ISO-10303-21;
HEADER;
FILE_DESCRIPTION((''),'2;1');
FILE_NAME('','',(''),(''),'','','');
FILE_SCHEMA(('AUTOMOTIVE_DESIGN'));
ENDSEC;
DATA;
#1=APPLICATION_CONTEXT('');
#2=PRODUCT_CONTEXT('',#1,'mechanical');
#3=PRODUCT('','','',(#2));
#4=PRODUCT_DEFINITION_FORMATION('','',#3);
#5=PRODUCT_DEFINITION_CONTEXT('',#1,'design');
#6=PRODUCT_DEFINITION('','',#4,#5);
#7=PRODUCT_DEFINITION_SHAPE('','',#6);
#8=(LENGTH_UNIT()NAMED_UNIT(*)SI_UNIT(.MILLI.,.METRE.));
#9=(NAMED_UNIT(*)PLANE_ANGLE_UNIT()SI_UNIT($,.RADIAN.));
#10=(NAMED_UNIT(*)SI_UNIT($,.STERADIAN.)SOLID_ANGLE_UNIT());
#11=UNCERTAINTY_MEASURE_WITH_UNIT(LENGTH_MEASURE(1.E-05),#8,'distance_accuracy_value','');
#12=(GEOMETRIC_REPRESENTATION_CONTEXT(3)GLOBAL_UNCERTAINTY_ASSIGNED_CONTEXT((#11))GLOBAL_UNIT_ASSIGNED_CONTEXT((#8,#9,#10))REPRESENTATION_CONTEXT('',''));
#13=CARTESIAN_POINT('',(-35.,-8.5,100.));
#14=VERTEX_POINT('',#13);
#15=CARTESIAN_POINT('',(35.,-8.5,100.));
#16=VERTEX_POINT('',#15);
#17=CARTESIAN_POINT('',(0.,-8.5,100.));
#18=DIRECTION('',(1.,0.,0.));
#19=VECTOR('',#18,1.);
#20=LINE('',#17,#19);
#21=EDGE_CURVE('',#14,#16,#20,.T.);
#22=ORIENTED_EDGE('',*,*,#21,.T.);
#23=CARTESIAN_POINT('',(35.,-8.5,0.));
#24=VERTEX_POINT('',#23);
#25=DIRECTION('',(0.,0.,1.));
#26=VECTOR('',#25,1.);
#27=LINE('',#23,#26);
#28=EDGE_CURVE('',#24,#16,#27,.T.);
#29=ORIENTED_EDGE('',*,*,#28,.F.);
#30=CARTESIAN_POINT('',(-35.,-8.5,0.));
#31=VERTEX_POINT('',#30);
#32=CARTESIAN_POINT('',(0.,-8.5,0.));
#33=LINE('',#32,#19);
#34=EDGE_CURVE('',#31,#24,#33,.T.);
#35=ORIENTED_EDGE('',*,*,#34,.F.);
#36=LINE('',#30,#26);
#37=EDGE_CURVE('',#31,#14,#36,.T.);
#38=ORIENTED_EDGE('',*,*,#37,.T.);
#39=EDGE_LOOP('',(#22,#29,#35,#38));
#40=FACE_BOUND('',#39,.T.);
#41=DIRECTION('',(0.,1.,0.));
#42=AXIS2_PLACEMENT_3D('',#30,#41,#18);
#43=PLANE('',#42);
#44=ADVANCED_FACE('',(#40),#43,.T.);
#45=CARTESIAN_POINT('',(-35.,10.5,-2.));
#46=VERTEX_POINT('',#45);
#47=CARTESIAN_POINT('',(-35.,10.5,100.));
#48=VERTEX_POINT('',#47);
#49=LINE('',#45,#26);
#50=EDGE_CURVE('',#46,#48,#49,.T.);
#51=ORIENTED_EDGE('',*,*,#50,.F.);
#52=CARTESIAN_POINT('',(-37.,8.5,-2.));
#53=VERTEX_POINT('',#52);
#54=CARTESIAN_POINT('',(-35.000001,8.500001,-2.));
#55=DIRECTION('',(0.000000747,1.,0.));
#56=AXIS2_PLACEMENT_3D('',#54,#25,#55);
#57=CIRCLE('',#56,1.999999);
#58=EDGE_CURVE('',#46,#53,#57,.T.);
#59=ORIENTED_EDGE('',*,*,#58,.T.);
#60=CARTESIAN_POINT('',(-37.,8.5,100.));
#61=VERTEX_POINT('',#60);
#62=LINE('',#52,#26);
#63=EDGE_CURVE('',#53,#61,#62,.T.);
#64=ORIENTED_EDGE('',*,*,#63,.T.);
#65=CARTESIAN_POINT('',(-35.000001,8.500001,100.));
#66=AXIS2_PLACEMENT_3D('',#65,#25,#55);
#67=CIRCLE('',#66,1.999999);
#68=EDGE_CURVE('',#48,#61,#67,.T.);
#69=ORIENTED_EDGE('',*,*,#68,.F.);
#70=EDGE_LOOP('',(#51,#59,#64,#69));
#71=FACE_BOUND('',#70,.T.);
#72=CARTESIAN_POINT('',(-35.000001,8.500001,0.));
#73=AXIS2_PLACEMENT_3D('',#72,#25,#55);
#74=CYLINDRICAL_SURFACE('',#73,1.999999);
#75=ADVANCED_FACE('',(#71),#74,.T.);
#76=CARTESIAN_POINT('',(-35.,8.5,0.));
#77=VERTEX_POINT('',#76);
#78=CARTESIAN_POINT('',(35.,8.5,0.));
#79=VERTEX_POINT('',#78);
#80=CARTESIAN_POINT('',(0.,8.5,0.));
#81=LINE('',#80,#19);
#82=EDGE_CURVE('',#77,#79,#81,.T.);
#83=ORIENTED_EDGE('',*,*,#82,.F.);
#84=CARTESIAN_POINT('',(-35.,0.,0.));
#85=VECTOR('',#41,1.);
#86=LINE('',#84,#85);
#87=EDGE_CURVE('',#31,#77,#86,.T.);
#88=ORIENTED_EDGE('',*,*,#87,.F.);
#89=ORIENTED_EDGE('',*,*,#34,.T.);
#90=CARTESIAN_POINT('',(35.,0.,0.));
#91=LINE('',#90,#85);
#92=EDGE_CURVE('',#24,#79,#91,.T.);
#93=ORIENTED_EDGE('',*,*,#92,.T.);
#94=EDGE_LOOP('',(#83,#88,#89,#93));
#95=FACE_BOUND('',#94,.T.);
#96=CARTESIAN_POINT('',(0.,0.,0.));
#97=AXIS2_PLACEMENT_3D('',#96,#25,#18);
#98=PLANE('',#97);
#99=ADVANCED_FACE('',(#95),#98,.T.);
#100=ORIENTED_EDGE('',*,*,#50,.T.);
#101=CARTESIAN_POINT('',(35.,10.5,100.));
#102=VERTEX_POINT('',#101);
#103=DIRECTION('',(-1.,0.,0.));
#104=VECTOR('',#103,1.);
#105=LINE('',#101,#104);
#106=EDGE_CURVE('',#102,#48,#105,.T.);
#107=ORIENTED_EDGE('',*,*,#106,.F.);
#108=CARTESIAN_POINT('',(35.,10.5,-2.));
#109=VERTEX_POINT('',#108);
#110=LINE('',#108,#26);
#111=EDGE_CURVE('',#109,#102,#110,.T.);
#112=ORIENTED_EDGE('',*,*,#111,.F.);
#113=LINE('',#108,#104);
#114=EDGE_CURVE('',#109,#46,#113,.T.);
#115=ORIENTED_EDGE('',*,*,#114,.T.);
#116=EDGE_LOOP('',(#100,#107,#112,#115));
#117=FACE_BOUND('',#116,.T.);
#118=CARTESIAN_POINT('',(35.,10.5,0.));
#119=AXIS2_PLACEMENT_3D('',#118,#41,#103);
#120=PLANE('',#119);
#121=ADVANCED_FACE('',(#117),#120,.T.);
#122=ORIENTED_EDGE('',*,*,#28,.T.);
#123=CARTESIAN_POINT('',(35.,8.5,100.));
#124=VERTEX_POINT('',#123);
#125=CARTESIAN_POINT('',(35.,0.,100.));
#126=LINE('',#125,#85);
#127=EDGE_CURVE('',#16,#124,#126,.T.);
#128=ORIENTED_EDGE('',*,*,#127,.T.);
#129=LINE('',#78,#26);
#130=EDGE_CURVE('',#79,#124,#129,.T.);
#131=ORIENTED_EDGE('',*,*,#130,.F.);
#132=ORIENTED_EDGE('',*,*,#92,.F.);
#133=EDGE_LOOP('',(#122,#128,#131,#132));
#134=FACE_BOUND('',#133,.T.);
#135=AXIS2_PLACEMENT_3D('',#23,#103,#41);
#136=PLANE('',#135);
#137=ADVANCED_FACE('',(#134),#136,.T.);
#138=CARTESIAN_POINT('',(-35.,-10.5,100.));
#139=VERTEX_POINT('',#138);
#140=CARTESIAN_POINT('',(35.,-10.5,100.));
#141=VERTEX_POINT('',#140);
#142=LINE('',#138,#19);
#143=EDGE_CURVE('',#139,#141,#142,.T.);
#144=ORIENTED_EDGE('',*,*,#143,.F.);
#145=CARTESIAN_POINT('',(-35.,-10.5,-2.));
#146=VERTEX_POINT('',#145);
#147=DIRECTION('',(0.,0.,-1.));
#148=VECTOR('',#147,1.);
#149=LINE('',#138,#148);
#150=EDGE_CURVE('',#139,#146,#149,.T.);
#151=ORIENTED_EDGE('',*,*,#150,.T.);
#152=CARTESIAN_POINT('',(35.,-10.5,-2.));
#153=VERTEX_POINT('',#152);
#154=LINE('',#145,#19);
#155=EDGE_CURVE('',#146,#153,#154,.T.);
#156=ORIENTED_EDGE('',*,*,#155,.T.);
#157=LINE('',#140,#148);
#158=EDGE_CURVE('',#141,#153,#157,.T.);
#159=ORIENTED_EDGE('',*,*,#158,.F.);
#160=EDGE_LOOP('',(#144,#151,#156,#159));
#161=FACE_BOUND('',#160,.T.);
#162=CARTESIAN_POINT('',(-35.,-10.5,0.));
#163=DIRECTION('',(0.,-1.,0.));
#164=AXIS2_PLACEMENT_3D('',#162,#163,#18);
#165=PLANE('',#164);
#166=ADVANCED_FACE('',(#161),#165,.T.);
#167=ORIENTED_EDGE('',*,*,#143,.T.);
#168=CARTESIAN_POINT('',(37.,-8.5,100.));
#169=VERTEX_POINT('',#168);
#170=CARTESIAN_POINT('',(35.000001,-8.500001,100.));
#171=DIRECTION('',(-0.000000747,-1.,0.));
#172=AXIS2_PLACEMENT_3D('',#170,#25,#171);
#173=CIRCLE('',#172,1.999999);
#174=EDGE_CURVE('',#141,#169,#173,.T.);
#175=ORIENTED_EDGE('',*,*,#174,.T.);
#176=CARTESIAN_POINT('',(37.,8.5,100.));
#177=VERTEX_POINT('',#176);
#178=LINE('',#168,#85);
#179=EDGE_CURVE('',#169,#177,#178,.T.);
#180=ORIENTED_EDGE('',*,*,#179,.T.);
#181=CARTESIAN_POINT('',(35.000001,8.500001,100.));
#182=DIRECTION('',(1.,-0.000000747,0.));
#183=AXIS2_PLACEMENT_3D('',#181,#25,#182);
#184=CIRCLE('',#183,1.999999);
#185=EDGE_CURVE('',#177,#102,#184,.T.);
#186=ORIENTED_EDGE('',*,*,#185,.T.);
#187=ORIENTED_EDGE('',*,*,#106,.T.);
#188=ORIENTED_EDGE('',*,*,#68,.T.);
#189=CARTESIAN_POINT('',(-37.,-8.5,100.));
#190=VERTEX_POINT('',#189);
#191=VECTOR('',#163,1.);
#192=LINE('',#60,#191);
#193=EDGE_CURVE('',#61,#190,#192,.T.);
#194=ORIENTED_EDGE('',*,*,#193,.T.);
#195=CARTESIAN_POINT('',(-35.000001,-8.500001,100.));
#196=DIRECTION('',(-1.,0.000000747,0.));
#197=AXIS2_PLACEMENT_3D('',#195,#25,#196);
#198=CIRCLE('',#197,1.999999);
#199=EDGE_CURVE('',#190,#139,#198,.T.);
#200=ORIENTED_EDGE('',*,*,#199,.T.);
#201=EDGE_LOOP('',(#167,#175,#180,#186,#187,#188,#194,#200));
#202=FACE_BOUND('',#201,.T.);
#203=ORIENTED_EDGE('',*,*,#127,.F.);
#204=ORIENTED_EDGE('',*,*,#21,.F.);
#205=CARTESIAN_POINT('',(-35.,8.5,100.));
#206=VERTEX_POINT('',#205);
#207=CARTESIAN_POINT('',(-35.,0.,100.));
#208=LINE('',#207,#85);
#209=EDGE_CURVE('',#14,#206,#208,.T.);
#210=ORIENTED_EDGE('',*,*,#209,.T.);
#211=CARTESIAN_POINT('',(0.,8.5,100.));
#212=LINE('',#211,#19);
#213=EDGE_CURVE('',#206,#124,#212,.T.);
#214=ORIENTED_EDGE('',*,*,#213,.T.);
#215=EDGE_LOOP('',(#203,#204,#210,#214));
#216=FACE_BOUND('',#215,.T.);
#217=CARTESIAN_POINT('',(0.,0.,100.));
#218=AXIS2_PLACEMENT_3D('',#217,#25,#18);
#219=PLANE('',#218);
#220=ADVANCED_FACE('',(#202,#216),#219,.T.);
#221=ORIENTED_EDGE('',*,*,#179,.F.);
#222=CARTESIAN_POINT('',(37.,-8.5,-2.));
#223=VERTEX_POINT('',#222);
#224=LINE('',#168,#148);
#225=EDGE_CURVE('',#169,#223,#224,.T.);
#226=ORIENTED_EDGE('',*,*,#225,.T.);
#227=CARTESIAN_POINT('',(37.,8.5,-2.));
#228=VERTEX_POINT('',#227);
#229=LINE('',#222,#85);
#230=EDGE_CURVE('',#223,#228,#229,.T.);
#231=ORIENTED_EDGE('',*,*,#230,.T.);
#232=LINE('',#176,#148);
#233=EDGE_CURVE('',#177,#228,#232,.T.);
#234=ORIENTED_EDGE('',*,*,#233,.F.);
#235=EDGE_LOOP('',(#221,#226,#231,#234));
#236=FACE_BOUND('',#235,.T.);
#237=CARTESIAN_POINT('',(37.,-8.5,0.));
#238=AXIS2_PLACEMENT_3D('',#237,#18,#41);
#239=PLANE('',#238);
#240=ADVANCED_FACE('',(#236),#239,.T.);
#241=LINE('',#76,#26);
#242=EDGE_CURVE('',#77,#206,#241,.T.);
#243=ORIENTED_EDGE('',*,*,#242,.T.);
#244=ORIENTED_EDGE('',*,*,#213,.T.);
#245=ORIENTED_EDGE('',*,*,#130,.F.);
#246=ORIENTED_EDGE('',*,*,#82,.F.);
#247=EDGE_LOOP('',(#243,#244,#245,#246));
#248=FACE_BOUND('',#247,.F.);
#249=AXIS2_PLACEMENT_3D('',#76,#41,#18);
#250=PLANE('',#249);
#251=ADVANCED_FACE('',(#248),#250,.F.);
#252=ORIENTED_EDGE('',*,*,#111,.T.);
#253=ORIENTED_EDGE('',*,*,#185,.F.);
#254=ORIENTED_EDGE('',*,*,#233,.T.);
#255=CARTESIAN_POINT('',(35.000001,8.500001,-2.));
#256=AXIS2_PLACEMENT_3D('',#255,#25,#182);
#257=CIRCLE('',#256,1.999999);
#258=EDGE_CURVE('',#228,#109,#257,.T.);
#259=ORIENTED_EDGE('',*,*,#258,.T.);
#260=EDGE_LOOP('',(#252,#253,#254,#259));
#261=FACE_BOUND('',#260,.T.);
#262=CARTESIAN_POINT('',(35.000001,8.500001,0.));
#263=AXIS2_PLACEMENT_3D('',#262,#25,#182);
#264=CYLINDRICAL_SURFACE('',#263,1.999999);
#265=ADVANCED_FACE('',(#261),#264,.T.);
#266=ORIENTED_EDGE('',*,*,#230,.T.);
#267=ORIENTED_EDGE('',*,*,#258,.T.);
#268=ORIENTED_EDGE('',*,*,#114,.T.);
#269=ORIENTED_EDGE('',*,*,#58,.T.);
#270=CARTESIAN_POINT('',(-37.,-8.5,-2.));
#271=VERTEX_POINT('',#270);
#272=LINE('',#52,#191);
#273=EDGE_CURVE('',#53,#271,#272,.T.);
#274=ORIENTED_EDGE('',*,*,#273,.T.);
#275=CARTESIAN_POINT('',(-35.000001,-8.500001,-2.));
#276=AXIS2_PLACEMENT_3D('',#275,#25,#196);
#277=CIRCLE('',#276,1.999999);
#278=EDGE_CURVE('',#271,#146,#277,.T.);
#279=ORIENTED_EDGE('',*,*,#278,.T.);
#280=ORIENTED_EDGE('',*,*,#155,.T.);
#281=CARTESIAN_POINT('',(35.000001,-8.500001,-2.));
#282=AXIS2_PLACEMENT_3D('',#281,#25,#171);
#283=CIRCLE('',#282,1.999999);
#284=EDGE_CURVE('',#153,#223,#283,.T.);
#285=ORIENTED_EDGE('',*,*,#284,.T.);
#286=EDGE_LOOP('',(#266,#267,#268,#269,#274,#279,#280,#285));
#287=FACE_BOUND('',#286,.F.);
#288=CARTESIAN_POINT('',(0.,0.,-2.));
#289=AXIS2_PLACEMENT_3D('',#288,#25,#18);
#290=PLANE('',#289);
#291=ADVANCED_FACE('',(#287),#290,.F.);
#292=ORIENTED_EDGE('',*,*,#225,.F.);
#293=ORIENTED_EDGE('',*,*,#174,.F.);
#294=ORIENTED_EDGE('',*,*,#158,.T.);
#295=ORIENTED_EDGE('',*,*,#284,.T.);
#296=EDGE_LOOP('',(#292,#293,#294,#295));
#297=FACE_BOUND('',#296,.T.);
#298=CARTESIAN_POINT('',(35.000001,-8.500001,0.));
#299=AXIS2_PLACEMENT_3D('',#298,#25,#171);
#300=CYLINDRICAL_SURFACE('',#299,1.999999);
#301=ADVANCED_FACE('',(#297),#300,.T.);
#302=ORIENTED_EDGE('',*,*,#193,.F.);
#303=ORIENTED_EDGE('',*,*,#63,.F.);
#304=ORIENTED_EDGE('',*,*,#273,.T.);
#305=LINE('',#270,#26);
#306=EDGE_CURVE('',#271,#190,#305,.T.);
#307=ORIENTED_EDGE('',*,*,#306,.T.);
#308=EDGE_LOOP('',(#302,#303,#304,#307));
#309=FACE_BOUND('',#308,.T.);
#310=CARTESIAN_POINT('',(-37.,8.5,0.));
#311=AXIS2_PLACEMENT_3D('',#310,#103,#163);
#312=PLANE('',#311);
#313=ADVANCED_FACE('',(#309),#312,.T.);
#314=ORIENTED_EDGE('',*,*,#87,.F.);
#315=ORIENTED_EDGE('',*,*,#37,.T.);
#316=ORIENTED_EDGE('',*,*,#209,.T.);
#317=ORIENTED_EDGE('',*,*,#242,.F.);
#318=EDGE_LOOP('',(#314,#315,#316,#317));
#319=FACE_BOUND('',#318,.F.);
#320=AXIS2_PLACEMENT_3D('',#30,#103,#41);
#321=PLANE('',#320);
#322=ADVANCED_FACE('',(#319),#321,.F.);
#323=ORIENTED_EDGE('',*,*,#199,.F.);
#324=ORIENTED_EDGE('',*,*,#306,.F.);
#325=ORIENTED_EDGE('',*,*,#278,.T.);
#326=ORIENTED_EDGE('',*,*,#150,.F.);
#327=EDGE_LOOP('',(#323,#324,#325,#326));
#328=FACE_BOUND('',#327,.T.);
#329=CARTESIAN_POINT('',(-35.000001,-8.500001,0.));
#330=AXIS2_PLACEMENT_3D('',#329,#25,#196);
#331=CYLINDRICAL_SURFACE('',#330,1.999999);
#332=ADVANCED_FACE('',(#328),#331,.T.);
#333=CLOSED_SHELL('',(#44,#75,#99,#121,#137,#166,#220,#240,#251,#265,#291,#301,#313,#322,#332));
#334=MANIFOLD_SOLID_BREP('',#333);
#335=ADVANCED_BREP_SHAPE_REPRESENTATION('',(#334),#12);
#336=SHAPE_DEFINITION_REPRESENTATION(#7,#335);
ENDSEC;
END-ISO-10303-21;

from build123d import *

# Parameters (mm, degrees)
F0_W          = 70
F0_H          = 17
F1_DEPTH      = 2
F2_DEPTH      = 100
F2_DEPTH_BACK = 2


with BuildPart() as f1:
    # F0 (on Top) → F1 (new body)
    with BuildSketch(Plane.XY):
        Rectangle(F0_W, F0_H)
    extrude(amount=-F1_DEPTH)

    # F0 (on Top) → F2 (join, two sides)
    with BuildSketch(Plane.XY) as f2_sk:
        with BuildLine():
            ThreePointArc((37, 8.5), (36.414214, 9.914214), (35, 10.5))
            Line((35, 10.5), (-35, 10.5))
            ThreePointArc((-35, 10.5), (-36.414214, 9.914214), (-37, 8.5))
            Line((-37, 8.5), (-37, -8.5))
            ThreePointArc((-37, -8.5), (-36.414214, -9.914214), (-35, -10.5))
            Line((-35, -10.5), (35, -10.5))
            ThreePointArc((35, -10.5), (36.414214, -9.914214), (37, -8.5))
            Line((37, -8.5), (37, 8.5))
        make_face()
        Rectangle(F0_W, F0_H, mode=Mode.SUBTRACT)
    extrude(amount=F2_DEPTH)
    extrude(f2_sk.sketch, amount=-F2_DEPTH_BACK)


solid = f1.part
